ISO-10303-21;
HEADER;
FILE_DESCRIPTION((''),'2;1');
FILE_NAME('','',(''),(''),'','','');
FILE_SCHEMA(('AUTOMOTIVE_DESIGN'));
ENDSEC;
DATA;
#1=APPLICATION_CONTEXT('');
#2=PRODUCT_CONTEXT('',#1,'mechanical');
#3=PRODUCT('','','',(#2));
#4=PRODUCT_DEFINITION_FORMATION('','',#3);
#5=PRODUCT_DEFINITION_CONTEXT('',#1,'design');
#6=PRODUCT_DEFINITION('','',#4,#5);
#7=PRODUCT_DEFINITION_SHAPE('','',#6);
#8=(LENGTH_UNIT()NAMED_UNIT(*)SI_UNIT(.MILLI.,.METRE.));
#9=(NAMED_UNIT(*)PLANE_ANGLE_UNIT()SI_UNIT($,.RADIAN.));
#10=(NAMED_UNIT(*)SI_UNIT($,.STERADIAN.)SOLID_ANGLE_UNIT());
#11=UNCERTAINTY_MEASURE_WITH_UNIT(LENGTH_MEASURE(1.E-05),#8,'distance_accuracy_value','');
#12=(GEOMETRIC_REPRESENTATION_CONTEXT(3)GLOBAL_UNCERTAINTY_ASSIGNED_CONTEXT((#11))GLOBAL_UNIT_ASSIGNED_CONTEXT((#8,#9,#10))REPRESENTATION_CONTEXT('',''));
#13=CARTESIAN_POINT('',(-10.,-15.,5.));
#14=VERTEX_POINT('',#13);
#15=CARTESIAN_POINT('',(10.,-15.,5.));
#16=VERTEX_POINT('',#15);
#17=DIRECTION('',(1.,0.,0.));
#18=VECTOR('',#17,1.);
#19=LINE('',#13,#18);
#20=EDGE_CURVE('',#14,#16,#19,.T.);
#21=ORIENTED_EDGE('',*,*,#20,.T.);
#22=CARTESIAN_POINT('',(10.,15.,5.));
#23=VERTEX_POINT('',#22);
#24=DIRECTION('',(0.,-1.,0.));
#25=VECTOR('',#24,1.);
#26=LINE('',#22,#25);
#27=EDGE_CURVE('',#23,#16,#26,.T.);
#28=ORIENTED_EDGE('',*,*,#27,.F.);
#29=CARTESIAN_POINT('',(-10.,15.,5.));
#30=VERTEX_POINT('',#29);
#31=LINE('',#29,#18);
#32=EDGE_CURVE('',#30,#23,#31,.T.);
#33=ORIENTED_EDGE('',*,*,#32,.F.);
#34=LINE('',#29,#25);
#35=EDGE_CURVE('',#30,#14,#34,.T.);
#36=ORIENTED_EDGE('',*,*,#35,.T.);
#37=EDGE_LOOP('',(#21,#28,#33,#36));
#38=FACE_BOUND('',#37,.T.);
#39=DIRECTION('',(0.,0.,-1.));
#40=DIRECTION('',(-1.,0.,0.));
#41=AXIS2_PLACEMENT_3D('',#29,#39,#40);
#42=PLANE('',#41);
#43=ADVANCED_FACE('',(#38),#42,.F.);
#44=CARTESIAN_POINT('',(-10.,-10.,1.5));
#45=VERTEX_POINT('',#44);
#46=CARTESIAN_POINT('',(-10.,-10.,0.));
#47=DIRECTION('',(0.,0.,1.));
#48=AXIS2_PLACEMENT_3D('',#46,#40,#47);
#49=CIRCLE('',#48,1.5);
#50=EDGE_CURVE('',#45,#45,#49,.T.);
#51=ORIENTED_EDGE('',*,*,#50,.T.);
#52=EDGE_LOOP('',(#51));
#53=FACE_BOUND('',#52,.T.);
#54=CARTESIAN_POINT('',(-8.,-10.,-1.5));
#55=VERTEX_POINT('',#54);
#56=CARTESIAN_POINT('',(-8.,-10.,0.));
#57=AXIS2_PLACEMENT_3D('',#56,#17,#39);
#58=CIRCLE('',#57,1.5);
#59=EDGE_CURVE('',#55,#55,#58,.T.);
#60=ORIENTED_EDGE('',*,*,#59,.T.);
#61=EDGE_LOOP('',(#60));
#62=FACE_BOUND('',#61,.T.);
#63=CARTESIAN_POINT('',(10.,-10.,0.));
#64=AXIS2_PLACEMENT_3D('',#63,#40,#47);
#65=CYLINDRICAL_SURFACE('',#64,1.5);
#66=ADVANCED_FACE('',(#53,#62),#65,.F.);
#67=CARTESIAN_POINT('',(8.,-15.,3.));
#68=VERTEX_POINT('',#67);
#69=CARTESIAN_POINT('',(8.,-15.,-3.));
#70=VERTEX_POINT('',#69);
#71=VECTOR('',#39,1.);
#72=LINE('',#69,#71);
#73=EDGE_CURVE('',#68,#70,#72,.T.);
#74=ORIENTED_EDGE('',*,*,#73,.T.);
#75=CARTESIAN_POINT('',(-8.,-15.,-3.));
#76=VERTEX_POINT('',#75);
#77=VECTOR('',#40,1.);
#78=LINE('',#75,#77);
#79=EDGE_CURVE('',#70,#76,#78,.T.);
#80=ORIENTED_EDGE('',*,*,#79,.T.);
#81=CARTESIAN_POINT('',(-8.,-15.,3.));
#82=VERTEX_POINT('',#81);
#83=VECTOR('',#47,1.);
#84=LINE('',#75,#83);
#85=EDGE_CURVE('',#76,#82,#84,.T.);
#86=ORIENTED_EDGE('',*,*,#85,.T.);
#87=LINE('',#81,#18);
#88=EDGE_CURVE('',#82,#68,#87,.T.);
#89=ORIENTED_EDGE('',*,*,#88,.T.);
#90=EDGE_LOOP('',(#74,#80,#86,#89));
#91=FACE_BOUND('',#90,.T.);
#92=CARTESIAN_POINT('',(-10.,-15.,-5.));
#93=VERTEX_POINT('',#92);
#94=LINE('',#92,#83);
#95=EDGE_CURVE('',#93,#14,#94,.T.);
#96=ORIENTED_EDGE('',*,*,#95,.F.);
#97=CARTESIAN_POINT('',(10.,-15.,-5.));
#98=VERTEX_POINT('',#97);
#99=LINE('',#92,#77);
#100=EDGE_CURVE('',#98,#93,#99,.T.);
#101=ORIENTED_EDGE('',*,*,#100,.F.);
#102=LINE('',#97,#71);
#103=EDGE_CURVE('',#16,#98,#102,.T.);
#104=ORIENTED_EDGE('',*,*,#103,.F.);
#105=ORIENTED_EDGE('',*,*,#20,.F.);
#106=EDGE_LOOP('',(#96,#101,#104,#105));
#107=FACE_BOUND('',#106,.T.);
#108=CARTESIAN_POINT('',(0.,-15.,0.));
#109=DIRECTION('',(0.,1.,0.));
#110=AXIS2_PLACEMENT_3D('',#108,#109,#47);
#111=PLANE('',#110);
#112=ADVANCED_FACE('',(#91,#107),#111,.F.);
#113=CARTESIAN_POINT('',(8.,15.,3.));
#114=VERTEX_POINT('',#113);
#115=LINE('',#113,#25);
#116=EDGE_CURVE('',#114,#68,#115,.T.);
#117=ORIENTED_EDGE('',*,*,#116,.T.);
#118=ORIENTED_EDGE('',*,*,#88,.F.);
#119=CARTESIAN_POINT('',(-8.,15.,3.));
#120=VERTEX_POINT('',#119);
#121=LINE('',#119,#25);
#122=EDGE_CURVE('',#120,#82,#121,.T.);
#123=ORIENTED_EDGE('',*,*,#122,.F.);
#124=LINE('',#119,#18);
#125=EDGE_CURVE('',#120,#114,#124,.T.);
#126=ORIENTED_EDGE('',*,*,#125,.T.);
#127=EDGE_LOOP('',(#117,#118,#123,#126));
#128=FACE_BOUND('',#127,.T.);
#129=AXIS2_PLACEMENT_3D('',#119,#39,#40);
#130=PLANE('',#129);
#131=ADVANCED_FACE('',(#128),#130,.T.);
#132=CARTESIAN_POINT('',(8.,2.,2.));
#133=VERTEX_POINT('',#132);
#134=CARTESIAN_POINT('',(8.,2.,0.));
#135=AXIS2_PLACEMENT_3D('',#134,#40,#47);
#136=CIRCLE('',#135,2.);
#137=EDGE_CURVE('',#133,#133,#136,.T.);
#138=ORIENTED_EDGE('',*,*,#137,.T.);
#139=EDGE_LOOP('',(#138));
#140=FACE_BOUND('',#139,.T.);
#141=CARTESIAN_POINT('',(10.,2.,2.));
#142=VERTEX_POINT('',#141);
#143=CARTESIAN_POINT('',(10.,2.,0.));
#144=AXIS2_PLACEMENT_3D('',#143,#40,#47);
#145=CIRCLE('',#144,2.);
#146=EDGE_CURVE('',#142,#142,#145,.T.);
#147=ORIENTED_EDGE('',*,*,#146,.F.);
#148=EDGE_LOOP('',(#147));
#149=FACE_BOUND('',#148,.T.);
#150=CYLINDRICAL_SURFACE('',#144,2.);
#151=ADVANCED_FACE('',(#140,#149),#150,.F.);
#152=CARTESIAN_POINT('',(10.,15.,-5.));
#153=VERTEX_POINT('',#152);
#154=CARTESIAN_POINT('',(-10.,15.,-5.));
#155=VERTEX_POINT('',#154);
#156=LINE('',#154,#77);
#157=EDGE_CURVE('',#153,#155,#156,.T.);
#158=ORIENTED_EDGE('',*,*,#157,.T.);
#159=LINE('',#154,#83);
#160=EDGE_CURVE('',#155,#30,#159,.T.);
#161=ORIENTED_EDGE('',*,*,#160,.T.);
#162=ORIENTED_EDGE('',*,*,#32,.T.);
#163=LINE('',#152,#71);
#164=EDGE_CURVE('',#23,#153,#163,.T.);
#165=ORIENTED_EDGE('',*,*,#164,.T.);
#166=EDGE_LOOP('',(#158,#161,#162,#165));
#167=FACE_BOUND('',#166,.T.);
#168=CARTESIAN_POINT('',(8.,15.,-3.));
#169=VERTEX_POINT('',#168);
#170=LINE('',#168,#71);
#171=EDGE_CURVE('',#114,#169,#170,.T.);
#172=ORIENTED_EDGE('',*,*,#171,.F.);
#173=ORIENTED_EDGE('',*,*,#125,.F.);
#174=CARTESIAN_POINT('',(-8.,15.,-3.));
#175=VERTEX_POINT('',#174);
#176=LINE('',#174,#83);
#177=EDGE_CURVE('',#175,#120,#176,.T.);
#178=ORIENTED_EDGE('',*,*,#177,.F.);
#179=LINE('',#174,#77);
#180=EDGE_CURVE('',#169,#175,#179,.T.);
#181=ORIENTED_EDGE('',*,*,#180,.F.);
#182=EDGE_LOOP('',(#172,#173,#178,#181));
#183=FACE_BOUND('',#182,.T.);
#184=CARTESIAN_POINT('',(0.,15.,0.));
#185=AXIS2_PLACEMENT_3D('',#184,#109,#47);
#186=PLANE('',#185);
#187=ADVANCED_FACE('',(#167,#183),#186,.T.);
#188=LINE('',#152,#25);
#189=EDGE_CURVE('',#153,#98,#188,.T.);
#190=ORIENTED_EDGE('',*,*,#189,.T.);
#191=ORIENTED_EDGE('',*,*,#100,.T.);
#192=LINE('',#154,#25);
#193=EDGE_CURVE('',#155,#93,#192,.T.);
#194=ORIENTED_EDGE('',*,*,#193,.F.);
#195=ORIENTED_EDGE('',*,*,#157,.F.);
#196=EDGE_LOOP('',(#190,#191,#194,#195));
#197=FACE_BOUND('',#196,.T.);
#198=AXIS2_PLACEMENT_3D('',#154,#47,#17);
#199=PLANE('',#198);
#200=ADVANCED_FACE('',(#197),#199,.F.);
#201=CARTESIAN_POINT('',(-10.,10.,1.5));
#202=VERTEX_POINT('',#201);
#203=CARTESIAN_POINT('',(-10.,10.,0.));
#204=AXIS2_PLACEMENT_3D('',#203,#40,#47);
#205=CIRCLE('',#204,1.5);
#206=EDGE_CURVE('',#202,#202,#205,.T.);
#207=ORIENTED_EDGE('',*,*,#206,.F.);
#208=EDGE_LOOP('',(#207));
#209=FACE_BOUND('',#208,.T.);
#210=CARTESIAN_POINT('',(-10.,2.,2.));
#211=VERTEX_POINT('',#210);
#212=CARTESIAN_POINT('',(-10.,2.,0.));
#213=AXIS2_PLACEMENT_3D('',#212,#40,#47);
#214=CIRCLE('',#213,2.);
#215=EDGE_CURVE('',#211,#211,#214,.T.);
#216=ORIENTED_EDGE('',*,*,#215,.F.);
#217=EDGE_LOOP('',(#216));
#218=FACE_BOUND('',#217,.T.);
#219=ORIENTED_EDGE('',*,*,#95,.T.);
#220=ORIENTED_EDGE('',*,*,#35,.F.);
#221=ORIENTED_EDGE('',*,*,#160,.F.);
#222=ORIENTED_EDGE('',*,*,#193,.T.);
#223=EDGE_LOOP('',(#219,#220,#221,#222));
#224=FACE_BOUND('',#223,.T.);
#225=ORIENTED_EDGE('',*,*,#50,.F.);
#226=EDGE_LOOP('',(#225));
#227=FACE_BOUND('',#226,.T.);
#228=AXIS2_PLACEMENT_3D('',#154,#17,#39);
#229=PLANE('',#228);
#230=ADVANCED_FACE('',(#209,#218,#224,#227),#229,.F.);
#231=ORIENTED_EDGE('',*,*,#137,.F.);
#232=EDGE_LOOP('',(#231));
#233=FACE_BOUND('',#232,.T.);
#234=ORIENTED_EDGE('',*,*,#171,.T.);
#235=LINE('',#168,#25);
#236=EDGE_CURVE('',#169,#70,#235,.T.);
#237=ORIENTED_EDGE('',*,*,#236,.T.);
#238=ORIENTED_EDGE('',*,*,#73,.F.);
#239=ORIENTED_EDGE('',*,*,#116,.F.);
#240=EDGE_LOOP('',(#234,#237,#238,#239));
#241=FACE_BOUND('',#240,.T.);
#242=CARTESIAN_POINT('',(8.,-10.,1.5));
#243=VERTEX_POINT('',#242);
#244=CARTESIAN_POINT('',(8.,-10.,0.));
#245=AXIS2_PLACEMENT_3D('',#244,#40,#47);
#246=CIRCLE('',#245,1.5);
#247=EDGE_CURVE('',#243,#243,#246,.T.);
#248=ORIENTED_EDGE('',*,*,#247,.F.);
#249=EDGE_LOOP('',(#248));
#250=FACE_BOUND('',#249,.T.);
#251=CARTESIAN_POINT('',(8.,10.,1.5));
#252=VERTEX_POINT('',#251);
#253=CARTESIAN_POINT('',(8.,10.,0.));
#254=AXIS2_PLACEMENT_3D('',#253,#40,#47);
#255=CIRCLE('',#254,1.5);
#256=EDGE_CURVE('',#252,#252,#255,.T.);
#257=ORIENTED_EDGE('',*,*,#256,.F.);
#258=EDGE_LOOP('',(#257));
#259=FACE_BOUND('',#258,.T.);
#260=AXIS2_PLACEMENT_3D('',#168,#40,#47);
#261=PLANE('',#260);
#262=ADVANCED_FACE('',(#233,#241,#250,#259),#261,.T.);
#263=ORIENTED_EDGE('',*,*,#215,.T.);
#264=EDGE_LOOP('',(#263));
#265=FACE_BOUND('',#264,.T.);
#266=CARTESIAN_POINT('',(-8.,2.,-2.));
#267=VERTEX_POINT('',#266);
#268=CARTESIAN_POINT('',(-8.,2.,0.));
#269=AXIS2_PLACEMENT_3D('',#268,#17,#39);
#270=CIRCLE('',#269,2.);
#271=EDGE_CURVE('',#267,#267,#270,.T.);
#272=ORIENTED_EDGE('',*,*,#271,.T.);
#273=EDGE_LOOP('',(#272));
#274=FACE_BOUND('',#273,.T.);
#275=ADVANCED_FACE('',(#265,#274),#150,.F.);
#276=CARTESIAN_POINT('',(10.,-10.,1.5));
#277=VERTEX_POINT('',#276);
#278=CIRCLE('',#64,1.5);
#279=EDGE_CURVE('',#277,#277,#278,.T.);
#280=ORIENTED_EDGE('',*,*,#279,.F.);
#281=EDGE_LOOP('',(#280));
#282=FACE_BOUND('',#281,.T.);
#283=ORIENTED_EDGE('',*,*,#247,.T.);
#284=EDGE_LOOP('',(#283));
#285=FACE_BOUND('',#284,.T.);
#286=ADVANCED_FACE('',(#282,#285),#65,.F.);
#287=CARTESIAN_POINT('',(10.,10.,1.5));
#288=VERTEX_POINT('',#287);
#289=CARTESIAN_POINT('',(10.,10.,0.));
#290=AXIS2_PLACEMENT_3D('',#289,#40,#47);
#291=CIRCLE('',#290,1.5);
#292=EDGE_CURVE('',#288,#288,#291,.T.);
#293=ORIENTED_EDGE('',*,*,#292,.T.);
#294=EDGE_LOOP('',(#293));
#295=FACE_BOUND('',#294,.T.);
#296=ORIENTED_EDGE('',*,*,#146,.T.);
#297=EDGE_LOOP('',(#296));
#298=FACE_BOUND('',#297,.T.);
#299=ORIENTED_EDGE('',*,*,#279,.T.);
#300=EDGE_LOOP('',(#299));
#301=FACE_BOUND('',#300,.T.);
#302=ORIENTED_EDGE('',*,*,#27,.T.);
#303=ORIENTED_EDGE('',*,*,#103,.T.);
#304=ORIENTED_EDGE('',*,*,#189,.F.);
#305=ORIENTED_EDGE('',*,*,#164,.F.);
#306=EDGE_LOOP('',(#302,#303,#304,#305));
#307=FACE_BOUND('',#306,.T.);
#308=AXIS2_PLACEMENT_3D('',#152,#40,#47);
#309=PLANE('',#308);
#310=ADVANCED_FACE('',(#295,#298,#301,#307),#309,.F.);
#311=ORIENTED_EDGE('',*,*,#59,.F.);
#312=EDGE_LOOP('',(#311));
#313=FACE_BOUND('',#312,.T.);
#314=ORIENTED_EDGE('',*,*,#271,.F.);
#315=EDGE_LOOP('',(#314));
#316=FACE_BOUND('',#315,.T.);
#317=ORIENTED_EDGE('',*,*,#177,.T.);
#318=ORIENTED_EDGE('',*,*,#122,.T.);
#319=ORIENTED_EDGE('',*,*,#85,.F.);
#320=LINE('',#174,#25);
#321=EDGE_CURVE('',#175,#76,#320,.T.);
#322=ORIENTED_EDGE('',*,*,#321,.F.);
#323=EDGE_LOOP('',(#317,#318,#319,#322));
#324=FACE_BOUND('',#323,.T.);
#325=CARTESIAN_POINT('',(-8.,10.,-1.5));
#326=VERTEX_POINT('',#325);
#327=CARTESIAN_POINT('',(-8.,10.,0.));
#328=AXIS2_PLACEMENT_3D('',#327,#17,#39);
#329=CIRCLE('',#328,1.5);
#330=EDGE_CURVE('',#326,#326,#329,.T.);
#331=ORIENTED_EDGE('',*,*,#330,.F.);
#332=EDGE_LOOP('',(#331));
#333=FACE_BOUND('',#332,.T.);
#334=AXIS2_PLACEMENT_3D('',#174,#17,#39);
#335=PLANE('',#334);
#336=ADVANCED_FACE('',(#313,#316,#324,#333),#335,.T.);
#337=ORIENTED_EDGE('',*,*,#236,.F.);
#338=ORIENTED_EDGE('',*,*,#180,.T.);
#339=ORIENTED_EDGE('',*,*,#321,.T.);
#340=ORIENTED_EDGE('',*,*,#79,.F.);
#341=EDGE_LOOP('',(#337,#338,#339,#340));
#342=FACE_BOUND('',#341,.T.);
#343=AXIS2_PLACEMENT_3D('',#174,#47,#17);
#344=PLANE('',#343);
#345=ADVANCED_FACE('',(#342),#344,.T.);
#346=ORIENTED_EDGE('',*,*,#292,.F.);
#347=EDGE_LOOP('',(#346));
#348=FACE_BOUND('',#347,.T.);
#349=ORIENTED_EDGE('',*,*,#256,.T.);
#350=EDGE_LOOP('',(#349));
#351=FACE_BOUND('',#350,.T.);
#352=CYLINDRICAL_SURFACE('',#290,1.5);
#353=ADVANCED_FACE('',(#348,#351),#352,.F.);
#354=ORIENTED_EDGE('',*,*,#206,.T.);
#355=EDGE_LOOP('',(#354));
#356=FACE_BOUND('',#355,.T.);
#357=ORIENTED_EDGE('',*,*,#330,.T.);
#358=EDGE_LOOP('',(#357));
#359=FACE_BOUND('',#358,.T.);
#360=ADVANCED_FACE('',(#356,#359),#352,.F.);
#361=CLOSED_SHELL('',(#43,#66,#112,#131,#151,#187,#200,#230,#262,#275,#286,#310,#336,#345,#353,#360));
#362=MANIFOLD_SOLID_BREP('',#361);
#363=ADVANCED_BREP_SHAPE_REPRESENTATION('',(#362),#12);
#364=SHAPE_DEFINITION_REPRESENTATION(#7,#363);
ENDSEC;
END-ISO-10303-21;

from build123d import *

# Parameters (mm, degrees)
SKETCH_1_W          = 20
SKETCH_1_H          = 10
SKETCH_1_W_2        = 16
SKETCH_1_H_2        = 6
EXTRUDE_1_DEPTH     = 15
SKETCH_2_R          = 2
SKETCH_2_R_2        = 1.5
CUT_EXTRUDE_1_DEPTH = 26.495097568


with BuildPart() as part:
    # 草图1 → 凸台-拉伸1 (new, symmetric)
    with BuildSketch(Plane(origin=(0, 0, 0), x_dir=(1, 0, 0), z_dir=(0, 1, 0))):
        Rectangle(SKETCH_1_W, SKETCH_1_H)
        Rectangle(SKETCH_1_W_2, SKETCH_1_H_2, mode=Mode.SUBTRACT)
    extrude(amount=EXTRUDE_1_DEPTH, both=True)

    # 草图2 → 切除-拉伸1 (cut, through all)
    with BuildSketch(Plane.ZY.offset(10)):
        with Locations((0, 2)):
            Circle(SKETCH_2_R)
        with Locations((0, 10)):
            Circle(SKETCH_2_R_2)
        with Locations((0, -10)):
            Circle(SKETCH_2_R_2)
    extrude(amount=-CUT_EXTRUDE_1_DEPTH, mode=Mode.SUBTRACT)


solid = part.part
